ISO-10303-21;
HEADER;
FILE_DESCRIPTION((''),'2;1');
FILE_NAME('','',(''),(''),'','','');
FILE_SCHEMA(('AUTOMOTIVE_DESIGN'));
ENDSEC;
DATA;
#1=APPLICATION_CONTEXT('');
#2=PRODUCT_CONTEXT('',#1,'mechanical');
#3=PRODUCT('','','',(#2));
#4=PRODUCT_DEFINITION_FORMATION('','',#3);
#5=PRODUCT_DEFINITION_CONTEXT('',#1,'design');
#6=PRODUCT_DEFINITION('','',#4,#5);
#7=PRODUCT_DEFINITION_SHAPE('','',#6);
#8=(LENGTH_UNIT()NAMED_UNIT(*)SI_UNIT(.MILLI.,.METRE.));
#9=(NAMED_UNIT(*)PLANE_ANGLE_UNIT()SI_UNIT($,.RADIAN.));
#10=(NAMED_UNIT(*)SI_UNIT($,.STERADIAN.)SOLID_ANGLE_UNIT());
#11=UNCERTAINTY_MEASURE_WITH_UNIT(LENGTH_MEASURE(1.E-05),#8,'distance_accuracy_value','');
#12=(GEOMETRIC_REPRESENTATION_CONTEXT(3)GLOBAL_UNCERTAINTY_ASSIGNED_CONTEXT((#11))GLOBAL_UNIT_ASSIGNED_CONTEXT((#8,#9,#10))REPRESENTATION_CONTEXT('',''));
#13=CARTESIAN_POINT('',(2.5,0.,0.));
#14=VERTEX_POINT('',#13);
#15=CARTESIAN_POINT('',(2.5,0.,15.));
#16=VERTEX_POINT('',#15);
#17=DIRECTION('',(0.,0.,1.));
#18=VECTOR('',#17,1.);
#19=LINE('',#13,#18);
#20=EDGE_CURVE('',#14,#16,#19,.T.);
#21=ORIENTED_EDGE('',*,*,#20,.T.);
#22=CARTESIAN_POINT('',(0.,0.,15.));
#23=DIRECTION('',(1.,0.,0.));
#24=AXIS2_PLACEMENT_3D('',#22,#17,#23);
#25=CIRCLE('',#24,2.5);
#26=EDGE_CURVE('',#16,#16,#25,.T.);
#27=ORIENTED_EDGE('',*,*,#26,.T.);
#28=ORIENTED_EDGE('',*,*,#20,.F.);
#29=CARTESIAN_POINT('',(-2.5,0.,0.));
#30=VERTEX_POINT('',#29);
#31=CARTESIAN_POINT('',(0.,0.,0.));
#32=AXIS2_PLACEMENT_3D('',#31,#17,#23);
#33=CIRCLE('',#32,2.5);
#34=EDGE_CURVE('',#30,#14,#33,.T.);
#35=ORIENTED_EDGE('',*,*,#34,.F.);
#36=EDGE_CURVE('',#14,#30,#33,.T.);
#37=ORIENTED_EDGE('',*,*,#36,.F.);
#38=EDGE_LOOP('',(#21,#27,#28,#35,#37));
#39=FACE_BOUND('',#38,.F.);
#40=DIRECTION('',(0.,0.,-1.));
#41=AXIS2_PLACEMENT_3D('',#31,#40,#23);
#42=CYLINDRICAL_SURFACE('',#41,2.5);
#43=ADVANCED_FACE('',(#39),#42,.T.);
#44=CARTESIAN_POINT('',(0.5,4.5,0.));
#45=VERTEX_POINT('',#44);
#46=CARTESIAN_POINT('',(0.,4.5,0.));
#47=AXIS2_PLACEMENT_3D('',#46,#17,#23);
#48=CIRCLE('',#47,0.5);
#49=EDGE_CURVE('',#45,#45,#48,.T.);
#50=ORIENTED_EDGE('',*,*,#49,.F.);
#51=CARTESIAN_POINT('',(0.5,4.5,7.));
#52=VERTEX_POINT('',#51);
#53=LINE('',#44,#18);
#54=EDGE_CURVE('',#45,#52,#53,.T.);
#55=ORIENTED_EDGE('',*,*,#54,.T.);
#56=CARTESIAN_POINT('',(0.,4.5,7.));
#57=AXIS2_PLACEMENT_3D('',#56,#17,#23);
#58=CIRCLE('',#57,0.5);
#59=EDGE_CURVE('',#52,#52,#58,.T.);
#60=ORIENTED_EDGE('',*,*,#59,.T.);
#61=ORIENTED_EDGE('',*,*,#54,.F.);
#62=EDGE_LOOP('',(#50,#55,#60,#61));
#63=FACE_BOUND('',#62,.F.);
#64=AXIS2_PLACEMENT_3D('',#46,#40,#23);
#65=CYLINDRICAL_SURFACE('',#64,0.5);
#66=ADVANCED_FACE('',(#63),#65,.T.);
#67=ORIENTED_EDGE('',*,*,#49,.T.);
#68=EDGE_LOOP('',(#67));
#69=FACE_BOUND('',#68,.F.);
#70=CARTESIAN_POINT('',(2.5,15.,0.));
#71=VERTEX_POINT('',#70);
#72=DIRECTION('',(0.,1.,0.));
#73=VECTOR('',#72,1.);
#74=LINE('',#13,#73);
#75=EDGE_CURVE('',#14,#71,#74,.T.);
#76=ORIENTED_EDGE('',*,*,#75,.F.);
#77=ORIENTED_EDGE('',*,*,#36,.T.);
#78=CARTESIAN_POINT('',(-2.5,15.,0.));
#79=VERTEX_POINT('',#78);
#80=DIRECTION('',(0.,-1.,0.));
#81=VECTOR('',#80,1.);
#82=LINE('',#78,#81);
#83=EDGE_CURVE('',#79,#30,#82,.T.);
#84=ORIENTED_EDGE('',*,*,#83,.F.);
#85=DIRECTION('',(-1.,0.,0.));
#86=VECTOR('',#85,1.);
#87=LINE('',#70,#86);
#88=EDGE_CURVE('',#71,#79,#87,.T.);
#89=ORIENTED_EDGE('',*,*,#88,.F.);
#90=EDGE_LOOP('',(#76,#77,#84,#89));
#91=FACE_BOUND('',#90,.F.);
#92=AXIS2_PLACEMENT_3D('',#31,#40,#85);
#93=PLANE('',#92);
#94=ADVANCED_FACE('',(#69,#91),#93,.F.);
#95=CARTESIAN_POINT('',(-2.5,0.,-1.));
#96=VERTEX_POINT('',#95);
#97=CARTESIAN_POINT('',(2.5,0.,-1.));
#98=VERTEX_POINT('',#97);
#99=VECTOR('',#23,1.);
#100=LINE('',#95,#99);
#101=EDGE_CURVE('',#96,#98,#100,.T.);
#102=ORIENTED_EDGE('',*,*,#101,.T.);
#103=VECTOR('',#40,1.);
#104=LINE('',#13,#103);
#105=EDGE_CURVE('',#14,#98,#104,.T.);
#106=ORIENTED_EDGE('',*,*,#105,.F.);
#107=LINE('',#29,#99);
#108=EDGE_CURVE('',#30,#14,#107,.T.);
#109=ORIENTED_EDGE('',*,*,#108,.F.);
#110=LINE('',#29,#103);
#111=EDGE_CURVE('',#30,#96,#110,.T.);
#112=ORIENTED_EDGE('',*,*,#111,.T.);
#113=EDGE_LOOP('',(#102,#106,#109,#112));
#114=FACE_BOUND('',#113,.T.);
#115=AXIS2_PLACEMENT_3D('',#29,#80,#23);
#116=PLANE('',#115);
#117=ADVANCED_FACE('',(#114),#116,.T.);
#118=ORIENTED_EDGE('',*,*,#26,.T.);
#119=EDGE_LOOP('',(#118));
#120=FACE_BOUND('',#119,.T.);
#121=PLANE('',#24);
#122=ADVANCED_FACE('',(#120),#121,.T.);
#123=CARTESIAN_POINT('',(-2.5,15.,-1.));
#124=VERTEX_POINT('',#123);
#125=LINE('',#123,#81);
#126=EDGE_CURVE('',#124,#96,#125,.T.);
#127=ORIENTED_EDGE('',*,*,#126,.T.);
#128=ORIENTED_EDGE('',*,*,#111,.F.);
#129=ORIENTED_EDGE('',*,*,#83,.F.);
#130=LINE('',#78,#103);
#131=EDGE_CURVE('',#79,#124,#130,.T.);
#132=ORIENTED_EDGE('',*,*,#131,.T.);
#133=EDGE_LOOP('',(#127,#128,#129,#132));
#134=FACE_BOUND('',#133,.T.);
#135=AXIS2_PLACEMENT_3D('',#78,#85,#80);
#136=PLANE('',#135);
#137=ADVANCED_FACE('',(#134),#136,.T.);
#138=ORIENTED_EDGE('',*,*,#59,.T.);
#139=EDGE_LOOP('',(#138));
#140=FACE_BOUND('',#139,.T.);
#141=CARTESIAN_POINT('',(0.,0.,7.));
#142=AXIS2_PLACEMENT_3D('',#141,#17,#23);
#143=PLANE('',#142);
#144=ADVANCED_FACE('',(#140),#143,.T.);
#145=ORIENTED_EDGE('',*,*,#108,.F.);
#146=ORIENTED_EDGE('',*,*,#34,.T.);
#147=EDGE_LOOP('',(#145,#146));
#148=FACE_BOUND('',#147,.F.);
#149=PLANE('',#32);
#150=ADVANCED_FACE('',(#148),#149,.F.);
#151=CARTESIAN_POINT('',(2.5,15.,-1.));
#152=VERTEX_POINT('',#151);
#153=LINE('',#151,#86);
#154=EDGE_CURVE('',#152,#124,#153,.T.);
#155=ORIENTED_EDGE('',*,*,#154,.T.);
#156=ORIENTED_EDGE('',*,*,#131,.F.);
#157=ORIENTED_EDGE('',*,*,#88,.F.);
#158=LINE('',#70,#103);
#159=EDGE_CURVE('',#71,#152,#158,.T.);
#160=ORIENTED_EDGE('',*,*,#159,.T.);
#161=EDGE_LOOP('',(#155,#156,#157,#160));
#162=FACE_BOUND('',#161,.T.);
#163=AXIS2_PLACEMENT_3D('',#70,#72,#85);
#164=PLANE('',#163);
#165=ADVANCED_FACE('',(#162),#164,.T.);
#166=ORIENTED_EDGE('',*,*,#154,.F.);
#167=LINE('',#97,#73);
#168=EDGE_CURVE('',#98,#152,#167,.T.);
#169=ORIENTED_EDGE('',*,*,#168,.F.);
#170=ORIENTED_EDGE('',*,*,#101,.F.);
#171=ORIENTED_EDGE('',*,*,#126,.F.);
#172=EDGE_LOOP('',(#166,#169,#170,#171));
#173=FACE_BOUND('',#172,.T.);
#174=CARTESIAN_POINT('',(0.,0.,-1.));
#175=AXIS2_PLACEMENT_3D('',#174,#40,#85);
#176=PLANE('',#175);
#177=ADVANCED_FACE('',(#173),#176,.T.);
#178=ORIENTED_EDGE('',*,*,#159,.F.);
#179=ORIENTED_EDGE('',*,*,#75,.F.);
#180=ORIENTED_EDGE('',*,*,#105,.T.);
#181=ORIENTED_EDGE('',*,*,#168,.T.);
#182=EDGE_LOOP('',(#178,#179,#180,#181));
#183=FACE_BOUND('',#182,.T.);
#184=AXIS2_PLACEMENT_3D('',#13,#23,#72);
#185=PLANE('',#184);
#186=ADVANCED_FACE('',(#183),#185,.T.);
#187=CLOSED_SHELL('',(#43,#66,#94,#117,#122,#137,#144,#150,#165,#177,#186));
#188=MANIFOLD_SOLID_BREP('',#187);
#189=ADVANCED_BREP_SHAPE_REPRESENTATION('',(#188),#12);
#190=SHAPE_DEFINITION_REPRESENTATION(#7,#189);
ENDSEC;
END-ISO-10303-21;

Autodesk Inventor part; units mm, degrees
ref_plane "YZ Plane" through (0, 0, 0) normal (1, 0, 0) x (0, 1, 0)
ref_plane "XZ Plane" through (0, 0, 0) normal (0, 1, 0) x (-1, 0, 0)
ref_plane "XY Plane" through (0, 0, 0) normal (0, 0, 1) x (1, 0, 0)
sketch "Sketch1" plane through (0, 0, 0) normal (0, 0, 1) x (1, 0, 0)
  circle A0 centre (0, 0) radius 2.5
  dimension "d0" = 5
extrude "Extrusion1" add sketch "Sketch1" along normal blind 15
sketch "Sketch2" plane through (0, 0, 0) normal (0, 0, -1) x (-1, 0, 0)
  circle A0 centre (0, 0) radius 2.5 projected
  line L0 (2.5, 0) -> (-2.5, 0)
  line L1 (-2.5, 0) -> (-2.5, 15)
  line L2 (-2.5, 15) -> (2.5, 15)
  line L3 (2.5, 15) -> (2.5, 0)
  dimension "d3" = 15
extrude "Extrusion2" add sketch "Sketch2" along normal blind 1 contours L0 A0 | A0 L1 L2 L3 picked at (0.6238, 0.5526)
sketch "Sketch3" plane through (0, 0, 0) normal (0, 0, 1) x (1, 0, 0)
  circle A0 centre (0, 4.5) radius 0.5
  point P0 (0, 0)
  dimension "d7" = 1
extrude "Extrusion3" add sketch "Sketch3" along normal blind 7
properties part number "pathFollower" material "Stainless Steel"
